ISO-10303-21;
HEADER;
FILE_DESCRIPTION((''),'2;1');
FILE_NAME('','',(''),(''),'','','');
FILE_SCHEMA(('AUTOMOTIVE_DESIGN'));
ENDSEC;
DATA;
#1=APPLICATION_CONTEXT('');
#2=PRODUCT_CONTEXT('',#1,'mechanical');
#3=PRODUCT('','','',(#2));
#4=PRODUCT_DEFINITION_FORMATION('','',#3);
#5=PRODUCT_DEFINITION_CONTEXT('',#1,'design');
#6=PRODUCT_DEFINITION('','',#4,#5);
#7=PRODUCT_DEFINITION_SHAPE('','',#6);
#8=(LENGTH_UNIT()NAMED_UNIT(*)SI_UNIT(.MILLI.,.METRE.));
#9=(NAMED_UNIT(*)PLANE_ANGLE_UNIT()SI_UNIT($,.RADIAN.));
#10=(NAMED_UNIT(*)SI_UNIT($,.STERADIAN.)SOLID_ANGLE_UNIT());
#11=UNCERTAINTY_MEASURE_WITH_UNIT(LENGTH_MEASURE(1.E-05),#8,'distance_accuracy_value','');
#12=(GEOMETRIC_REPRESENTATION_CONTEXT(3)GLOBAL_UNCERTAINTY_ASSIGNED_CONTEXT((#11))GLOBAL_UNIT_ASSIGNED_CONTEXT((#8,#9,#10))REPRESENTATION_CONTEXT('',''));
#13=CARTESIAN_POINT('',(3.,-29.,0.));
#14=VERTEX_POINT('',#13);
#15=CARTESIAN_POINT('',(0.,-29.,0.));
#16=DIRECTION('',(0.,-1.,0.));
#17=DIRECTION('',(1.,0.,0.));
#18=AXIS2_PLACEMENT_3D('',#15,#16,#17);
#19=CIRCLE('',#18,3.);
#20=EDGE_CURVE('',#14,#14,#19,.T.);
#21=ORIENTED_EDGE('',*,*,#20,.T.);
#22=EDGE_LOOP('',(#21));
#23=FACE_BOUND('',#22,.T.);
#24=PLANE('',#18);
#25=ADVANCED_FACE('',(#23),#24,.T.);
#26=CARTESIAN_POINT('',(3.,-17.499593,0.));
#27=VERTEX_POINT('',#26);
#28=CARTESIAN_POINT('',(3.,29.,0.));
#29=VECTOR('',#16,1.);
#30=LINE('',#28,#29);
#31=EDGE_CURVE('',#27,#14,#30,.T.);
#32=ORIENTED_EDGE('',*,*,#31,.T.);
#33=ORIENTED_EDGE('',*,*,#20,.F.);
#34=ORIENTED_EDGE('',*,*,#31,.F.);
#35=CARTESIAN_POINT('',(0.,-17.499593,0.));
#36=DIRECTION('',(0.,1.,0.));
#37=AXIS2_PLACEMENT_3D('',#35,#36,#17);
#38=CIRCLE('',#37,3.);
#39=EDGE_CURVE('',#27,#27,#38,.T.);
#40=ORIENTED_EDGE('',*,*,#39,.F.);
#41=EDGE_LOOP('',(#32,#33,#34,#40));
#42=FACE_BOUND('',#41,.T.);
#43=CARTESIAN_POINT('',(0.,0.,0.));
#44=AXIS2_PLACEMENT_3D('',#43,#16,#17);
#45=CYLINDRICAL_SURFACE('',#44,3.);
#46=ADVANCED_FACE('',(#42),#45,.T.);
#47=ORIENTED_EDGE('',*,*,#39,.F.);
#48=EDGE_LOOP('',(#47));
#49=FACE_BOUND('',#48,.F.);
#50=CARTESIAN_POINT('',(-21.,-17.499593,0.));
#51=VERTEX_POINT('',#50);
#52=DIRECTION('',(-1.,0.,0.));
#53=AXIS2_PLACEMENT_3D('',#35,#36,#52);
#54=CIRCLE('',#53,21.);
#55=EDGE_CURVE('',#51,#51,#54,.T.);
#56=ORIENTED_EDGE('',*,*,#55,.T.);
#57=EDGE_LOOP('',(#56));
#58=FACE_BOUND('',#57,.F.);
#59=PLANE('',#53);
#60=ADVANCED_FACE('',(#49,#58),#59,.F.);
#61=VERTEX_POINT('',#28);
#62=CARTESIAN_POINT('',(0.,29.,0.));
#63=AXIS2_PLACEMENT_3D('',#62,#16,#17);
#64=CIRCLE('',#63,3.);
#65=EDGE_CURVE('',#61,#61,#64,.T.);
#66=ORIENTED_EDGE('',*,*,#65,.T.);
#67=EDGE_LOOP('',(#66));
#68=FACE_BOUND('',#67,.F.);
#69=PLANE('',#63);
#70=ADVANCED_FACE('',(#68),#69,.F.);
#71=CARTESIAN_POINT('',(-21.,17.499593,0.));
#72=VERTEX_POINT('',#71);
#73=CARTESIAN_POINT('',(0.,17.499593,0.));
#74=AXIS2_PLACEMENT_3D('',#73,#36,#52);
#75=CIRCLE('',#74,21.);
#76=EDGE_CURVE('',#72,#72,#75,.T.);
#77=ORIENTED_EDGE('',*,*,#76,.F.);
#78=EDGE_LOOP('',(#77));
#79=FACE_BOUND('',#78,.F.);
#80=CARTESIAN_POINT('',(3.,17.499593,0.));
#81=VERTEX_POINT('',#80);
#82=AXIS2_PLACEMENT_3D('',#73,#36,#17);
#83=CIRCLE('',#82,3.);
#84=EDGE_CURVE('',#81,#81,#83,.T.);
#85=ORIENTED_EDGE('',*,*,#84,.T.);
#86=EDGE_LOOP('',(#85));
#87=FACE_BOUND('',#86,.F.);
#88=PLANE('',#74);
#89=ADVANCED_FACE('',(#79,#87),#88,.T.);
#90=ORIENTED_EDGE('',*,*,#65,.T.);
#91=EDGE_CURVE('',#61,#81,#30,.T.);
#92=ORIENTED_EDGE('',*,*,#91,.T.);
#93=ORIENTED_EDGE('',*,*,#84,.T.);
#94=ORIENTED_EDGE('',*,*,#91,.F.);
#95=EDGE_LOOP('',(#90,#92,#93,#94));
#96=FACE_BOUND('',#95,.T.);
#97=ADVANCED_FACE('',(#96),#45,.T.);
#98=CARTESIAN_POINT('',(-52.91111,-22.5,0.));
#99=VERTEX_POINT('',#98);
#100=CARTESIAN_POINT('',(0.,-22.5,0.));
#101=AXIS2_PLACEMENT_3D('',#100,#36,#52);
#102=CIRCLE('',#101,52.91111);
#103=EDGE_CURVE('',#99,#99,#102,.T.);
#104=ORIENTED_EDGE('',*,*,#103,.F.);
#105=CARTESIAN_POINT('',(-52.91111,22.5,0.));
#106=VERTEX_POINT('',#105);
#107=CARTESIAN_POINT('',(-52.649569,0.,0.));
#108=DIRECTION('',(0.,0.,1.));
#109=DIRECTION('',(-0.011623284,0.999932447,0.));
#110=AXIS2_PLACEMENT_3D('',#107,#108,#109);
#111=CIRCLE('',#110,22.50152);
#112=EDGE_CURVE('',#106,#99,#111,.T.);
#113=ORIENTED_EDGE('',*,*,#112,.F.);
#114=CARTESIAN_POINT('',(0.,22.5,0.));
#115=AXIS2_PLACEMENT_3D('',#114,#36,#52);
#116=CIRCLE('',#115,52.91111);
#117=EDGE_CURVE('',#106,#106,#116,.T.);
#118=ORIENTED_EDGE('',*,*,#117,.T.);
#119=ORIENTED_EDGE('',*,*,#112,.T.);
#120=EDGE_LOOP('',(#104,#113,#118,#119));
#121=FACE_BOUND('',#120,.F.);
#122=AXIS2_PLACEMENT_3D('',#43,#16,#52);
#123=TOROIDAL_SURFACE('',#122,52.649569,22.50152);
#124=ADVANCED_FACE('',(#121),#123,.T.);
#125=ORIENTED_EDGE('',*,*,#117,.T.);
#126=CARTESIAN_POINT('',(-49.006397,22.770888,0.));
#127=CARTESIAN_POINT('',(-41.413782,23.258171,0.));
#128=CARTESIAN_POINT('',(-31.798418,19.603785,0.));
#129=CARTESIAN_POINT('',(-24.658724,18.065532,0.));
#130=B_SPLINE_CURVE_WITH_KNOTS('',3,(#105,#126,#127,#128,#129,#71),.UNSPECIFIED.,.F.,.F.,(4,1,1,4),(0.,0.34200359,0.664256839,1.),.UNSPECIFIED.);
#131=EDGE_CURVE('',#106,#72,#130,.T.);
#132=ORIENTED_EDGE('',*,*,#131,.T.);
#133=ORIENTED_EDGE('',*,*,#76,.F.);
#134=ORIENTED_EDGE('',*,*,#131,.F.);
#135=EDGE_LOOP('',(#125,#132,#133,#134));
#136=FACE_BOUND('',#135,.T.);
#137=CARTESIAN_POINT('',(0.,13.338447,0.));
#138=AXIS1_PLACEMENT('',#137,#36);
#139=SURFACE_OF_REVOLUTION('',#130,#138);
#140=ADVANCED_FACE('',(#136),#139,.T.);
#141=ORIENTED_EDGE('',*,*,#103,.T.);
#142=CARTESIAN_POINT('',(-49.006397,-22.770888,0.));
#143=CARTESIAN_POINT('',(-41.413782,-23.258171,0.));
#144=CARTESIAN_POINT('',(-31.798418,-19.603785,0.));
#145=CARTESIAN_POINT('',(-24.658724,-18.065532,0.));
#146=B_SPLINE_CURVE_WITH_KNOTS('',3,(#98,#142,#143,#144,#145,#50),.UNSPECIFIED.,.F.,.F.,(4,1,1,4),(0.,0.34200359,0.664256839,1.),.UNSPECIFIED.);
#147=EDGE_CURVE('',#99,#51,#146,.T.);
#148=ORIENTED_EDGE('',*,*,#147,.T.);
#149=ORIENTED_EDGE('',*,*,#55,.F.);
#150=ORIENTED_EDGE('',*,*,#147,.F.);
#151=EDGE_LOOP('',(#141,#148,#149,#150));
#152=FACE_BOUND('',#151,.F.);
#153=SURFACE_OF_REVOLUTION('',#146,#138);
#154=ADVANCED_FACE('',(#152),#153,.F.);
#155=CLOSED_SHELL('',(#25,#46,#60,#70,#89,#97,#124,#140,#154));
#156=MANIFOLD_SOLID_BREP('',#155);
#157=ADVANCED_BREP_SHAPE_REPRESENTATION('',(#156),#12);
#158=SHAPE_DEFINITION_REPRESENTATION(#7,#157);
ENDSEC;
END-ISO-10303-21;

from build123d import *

# Parameters (mm, degrees)
F2_R     = 3
F3_DEPTH = 29


with BuildPart() as f1:
    # F0 (on Top) → F1 (revolve)
    with BuildSketch(Plane.XY):
        with BuildLine():
            Line((-3, 0), (-3, 17.4995933901))
            Line((-3, 17.4995933901), (-21, 17.4995933901))
            add(Edge.make_bspline(
                [(-52.9111102223, 22.5), (-49.0063974427, 22.770887551), (-41.4137818802, 23.2581714642), (-31.7984179158, 19.6037849598), (-24.6587238594, 18.0655321125), (-21, 17.4995933901)],
                knots=[0, 0, 0, 0, 0.3420035898, 0.664256839, 1, 1, 1, 1], degree=3))
            ThreePointArc((-52.9111102223, 22.5), (-75.1510886965, 0), (-52.9111102223, -22.5))
            add(Edge.make_bspline(
                [(-52.9111102223, -22.5), (-49.0063974427, -22.770887551), (-41.4137818802, -23.2581714642), (-31.7984179158, -19.6037849598), (-24.6587238594, -18.0655321125), (-21, -17.4995933901)],
                knots=[0, 0, 0, 0, 0.3420035898, 0.664256839, 1, 1, 1, 1], degree=3))
            Line((-21, -17.4995933901), (-3, -17.4995933901))
            Line((-3, -17.4995933901), (-3, 0))
        make_face()
    revolve(axis=Axis((0, 13.3384466171, 0), (0, 1, 0)))

    # F2 (on Front) → F3 (join, symmetric)
    with BuildSketch(Plane.XZ):
        Circle(F2_R)
    extrude(amount=F3_DEPTH, both=True)


solid = f1.part
